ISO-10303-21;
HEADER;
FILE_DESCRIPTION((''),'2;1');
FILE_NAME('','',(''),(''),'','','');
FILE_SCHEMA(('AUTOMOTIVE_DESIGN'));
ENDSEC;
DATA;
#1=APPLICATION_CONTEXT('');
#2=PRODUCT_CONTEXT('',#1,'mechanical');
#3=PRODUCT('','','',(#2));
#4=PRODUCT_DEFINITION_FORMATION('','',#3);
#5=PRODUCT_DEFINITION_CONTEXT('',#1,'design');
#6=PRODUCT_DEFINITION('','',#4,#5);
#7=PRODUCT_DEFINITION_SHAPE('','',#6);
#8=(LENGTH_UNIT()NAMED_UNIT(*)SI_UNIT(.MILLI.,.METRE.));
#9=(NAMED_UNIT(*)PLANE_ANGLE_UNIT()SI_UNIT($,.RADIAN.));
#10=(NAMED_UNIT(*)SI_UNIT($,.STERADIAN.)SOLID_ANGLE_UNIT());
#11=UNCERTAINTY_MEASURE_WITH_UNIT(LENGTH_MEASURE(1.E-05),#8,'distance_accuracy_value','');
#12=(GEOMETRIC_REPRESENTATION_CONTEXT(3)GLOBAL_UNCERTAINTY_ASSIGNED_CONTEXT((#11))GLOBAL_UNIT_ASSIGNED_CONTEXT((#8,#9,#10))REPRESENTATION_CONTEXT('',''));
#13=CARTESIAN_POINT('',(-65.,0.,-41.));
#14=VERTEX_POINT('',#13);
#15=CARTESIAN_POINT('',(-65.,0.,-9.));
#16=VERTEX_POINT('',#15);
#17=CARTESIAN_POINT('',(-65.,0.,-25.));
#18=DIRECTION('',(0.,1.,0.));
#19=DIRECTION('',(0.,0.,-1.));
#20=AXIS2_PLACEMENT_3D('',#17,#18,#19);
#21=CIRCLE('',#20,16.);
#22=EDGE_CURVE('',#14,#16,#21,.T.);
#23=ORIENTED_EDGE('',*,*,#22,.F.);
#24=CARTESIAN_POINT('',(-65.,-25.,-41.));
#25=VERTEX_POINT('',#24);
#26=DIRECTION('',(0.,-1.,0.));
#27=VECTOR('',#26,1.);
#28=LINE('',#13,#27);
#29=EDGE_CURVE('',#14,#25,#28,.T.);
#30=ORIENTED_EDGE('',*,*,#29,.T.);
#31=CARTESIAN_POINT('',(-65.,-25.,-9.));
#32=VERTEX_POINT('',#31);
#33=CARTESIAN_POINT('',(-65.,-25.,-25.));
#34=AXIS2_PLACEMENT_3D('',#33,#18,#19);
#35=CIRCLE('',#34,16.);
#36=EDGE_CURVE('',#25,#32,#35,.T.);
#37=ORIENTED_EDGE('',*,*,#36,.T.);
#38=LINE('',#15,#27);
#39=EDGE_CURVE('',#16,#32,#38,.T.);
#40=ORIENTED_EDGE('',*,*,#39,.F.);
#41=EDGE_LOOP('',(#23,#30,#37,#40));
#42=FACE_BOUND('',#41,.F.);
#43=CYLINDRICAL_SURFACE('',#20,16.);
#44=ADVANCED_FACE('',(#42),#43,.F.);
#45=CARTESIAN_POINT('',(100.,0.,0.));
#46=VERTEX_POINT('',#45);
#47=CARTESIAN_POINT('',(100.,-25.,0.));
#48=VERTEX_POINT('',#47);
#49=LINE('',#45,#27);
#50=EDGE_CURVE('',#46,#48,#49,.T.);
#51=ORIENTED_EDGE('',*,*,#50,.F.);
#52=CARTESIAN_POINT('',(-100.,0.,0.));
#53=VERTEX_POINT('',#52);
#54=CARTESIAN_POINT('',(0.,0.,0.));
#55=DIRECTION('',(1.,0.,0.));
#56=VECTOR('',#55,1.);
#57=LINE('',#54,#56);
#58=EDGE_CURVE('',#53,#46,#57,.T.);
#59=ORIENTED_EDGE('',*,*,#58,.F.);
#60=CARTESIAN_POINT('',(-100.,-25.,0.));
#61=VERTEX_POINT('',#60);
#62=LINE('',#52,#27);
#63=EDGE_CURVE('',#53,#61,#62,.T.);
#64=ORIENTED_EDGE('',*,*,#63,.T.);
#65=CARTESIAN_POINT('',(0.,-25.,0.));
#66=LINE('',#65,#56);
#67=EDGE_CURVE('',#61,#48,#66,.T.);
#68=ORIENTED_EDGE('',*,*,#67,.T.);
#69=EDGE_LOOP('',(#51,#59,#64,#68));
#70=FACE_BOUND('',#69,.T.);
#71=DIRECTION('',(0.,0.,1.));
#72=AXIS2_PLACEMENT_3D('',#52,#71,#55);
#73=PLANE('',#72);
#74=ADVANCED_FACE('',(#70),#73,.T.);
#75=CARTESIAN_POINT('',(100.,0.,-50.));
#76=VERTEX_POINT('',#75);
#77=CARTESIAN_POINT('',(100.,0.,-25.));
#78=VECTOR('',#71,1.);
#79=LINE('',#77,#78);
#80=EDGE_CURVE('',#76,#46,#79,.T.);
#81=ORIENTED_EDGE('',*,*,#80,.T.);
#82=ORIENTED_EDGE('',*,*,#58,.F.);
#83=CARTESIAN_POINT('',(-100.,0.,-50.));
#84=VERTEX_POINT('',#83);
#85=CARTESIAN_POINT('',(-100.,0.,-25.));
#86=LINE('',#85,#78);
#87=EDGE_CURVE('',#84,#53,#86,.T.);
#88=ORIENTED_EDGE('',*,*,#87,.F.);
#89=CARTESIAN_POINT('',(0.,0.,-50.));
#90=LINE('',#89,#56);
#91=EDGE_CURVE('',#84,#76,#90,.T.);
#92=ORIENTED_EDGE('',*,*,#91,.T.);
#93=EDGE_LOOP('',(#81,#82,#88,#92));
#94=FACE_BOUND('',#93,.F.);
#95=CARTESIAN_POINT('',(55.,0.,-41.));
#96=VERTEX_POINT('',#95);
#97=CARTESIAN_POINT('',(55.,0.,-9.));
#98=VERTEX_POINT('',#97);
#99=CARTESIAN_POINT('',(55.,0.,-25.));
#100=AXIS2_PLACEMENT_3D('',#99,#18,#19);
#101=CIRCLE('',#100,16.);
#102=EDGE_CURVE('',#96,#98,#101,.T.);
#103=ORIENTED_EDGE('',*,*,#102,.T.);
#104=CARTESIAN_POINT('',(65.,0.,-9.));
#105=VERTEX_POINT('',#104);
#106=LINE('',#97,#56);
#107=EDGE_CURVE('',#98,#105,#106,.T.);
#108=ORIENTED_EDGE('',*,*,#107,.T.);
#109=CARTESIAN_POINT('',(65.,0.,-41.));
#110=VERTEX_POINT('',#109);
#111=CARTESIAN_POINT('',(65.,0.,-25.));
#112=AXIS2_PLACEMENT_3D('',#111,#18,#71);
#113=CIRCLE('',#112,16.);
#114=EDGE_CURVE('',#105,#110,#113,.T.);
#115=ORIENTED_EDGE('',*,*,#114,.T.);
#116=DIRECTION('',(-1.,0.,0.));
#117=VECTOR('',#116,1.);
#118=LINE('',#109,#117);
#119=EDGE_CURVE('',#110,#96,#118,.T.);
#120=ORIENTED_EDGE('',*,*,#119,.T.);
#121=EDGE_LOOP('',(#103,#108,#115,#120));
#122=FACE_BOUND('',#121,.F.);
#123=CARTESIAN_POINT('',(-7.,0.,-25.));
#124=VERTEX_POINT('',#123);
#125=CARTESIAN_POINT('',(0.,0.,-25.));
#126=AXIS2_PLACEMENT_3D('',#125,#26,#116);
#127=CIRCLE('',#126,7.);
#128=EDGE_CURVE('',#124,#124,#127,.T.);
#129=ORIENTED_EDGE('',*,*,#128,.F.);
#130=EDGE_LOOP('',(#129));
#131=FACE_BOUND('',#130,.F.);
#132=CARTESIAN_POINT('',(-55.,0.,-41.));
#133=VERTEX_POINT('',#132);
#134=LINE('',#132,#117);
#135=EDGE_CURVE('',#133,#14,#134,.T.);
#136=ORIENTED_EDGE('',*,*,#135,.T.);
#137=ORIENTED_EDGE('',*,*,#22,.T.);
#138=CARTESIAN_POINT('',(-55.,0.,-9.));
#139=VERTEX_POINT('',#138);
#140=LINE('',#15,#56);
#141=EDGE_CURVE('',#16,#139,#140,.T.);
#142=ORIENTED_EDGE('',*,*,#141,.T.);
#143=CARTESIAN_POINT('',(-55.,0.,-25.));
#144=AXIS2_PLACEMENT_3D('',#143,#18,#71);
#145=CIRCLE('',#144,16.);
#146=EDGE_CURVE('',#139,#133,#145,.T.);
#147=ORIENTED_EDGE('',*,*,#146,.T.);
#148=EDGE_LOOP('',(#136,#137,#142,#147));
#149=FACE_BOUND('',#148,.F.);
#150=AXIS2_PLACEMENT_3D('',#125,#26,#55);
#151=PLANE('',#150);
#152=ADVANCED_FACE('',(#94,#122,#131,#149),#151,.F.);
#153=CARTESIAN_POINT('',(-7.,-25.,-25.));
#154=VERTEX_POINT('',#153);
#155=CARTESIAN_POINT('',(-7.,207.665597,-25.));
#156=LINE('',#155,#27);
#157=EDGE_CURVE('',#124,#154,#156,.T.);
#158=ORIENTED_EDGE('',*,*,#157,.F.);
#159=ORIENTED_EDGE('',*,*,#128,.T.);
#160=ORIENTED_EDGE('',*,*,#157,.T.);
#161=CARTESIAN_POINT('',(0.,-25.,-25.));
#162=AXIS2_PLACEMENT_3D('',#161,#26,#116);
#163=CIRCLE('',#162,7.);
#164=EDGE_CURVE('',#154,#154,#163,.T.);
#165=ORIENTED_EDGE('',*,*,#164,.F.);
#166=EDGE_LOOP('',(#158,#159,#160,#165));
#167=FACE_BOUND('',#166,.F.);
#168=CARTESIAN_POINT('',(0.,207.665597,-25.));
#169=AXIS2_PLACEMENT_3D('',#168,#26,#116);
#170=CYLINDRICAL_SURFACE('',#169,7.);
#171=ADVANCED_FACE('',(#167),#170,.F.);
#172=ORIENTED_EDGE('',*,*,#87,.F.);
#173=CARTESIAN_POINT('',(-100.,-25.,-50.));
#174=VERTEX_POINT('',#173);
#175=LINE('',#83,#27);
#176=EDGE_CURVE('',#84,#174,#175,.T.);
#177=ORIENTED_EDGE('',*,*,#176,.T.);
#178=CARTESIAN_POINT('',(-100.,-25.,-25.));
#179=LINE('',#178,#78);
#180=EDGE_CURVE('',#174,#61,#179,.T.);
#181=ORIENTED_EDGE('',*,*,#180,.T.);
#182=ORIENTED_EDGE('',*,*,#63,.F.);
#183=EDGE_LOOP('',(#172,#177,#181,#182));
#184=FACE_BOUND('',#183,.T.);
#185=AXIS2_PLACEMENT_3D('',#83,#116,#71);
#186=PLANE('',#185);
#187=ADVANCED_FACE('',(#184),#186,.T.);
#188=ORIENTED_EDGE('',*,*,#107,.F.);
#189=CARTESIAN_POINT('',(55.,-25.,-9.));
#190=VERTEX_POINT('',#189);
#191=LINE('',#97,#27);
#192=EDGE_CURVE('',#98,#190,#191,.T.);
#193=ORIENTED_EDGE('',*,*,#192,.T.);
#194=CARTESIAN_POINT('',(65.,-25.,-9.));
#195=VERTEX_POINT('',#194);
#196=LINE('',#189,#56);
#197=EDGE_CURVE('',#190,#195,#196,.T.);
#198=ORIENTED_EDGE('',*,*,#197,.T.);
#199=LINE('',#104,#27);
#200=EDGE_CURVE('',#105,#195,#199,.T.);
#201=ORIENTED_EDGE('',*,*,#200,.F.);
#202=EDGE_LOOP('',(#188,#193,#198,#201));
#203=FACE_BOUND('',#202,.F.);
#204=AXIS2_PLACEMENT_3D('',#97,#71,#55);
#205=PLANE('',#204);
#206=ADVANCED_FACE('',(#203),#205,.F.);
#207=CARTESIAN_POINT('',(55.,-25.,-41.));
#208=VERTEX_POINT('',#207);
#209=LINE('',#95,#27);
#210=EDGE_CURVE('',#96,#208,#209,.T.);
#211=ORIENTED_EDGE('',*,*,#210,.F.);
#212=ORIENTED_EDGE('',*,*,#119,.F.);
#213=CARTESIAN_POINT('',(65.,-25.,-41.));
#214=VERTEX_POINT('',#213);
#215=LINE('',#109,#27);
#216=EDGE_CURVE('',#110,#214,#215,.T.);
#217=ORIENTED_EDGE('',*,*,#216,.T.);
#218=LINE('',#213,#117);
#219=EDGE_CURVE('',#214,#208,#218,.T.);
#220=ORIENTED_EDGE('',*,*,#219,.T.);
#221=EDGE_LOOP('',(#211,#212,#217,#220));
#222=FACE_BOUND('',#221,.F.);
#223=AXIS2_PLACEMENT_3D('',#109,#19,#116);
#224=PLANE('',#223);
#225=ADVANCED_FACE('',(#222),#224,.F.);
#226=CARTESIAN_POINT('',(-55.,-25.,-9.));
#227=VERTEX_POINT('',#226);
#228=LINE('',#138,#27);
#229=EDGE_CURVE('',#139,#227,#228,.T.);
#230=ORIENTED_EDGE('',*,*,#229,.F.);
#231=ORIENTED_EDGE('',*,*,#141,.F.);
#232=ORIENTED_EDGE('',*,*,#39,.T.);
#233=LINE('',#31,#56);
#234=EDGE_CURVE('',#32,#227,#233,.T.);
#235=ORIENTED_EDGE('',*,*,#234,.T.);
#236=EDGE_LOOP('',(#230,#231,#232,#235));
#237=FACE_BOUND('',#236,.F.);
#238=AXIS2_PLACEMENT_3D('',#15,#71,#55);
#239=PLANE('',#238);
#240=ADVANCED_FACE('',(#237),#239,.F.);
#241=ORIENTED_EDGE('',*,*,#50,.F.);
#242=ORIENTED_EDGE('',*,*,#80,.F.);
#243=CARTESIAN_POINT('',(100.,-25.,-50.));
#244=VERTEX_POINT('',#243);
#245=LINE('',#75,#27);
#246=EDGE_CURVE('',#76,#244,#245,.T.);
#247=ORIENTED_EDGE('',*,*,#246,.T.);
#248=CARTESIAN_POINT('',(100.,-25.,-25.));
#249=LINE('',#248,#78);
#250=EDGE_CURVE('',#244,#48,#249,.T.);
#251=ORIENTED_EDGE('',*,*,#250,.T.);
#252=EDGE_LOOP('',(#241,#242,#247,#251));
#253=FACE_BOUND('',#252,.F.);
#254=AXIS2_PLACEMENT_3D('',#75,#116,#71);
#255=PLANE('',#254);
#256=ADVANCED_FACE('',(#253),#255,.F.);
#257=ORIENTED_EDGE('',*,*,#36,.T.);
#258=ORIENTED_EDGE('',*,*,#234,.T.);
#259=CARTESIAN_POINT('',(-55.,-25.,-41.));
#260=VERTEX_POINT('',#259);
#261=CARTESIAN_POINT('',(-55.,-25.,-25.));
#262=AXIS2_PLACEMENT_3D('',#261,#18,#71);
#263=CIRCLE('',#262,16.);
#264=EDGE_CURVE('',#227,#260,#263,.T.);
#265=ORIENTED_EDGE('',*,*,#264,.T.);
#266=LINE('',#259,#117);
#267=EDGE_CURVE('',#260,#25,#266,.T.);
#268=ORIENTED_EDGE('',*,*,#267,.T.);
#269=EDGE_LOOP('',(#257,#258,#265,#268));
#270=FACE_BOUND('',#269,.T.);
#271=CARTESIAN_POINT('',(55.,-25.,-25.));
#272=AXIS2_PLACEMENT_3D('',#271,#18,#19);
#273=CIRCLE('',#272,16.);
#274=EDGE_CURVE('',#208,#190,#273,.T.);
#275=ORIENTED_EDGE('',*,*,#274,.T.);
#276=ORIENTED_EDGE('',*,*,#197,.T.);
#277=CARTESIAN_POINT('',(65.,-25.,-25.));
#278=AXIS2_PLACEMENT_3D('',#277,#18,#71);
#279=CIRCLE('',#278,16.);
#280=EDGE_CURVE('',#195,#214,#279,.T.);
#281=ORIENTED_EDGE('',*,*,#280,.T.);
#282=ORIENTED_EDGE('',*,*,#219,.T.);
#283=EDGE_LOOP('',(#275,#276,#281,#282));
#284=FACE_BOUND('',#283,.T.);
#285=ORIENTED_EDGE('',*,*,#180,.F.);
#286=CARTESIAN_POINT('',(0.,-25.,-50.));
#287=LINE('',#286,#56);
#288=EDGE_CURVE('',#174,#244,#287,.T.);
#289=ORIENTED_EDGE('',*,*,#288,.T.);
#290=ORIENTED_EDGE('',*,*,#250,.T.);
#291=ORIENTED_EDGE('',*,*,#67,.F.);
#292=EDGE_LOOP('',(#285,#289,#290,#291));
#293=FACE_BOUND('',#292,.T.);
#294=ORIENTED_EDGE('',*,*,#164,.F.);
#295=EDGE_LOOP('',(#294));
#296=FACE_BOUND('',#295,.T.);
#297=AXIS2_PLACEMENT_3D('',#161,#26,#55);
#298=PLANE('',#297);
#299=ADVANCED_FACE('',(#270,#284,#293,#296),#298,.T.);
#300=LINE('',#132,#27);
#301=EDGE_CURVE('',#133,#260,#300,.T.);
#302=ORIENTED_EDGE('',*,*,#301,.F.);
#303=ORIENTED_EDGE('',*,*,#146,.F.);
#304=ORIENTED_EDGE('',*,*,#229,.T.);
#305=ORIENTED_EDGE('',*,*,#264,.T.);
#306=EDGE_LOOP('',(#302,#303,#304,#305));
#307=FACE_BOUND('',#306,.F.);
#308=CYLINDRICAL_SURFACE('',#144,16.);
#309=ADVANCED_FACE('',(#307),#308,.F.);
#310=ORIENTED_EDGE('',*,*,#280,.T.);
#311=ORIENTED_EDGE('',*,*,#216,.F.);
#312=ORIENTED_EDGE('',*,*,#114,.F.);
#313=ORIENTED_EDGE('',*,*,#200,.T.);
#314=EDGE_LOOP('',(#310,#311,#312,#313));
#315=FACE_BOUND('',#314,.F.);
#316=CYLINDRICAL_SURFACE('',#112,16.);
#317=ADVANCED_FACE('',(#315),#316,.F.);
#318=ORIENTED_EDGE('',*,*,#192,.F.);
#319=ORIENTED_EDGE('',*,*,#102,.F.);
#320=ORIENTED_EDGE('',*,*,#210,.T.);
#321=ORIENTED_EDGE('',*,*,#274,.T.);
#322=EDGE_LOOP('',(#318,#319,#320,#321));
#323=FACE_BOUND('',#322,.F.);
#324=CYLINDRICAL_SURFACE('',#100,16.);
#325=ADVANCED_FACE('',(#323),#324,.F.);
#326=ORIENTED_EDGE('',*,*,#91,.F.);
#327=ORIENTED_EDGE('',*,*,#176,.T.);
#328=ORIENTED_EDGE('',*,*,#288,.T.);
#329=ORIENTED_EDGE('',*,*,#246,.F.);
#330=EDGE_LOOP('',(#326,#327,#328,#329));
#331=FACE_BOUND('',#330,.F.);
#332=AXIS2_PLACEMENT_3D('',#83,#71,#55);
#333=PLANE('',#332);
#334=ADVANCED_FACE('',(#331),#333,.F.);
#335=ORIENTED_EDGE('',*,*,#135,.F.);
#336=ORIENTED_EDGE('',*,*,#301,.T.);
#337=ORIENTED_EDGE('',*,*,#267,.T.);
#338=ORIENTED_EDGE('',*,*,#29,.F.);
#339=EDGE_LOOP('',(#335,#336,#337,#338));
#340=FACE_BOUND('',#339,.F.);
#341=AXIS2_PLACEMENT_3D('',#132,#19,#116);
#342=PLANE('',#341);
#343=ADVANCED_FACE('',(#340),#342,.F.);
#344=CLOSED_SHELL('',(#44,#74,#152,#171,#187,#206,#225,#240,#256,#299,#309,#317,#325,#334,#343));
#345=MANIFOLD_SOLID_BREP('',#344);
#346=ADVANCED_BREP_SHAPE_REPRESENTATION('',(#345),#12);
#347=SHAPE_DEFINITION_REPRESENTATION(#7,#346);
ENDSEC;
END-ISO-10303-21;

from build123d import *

# Parameters (mm, degrees)
F0_W     = 200
F0_H     = 50
F1_DEPTH = 25
F2_D     = 14


with BuildPart() as f1:
    # F0 (on Front) → F1 (new body)
    with BuildSketch(Plane.XZ):
        with Locations((0, -25)):
            Rectangle(F0_W, F0_H)
        with BuildLine():
            Line((-55, -41), (-65, -41))
            ThreePointArc((-65, -41), (-81, -25), (-65, -9))
            Line((-65, -9), (-55, -9))
            ThreePointArc((-55, -9), (-39, -25), (-55, -41))
        make_face(mode=Mode.SUBTRACT)
        with BuildLine():
            Line((55, -9), (65, -9))
            ThreePointArc((65, -9), (81, -25), (65, -41))
            Line((65, -41), (55, -41))
            ThreePointArc((55, -41), (39, -25), (55, -9))
        make_face(mode=Mode.SUBTRACT)
    extrude(amount=F1_DEPTH)

    # F2 (through all)
    with Locations(Plane(origin=(0, 0, 0), x_dir=(1, 0, 0), z_dir=(0, 1, 0))):
        with Locations((0, 25)):
            Hole(F2_D / 2)


solid = f1.part
